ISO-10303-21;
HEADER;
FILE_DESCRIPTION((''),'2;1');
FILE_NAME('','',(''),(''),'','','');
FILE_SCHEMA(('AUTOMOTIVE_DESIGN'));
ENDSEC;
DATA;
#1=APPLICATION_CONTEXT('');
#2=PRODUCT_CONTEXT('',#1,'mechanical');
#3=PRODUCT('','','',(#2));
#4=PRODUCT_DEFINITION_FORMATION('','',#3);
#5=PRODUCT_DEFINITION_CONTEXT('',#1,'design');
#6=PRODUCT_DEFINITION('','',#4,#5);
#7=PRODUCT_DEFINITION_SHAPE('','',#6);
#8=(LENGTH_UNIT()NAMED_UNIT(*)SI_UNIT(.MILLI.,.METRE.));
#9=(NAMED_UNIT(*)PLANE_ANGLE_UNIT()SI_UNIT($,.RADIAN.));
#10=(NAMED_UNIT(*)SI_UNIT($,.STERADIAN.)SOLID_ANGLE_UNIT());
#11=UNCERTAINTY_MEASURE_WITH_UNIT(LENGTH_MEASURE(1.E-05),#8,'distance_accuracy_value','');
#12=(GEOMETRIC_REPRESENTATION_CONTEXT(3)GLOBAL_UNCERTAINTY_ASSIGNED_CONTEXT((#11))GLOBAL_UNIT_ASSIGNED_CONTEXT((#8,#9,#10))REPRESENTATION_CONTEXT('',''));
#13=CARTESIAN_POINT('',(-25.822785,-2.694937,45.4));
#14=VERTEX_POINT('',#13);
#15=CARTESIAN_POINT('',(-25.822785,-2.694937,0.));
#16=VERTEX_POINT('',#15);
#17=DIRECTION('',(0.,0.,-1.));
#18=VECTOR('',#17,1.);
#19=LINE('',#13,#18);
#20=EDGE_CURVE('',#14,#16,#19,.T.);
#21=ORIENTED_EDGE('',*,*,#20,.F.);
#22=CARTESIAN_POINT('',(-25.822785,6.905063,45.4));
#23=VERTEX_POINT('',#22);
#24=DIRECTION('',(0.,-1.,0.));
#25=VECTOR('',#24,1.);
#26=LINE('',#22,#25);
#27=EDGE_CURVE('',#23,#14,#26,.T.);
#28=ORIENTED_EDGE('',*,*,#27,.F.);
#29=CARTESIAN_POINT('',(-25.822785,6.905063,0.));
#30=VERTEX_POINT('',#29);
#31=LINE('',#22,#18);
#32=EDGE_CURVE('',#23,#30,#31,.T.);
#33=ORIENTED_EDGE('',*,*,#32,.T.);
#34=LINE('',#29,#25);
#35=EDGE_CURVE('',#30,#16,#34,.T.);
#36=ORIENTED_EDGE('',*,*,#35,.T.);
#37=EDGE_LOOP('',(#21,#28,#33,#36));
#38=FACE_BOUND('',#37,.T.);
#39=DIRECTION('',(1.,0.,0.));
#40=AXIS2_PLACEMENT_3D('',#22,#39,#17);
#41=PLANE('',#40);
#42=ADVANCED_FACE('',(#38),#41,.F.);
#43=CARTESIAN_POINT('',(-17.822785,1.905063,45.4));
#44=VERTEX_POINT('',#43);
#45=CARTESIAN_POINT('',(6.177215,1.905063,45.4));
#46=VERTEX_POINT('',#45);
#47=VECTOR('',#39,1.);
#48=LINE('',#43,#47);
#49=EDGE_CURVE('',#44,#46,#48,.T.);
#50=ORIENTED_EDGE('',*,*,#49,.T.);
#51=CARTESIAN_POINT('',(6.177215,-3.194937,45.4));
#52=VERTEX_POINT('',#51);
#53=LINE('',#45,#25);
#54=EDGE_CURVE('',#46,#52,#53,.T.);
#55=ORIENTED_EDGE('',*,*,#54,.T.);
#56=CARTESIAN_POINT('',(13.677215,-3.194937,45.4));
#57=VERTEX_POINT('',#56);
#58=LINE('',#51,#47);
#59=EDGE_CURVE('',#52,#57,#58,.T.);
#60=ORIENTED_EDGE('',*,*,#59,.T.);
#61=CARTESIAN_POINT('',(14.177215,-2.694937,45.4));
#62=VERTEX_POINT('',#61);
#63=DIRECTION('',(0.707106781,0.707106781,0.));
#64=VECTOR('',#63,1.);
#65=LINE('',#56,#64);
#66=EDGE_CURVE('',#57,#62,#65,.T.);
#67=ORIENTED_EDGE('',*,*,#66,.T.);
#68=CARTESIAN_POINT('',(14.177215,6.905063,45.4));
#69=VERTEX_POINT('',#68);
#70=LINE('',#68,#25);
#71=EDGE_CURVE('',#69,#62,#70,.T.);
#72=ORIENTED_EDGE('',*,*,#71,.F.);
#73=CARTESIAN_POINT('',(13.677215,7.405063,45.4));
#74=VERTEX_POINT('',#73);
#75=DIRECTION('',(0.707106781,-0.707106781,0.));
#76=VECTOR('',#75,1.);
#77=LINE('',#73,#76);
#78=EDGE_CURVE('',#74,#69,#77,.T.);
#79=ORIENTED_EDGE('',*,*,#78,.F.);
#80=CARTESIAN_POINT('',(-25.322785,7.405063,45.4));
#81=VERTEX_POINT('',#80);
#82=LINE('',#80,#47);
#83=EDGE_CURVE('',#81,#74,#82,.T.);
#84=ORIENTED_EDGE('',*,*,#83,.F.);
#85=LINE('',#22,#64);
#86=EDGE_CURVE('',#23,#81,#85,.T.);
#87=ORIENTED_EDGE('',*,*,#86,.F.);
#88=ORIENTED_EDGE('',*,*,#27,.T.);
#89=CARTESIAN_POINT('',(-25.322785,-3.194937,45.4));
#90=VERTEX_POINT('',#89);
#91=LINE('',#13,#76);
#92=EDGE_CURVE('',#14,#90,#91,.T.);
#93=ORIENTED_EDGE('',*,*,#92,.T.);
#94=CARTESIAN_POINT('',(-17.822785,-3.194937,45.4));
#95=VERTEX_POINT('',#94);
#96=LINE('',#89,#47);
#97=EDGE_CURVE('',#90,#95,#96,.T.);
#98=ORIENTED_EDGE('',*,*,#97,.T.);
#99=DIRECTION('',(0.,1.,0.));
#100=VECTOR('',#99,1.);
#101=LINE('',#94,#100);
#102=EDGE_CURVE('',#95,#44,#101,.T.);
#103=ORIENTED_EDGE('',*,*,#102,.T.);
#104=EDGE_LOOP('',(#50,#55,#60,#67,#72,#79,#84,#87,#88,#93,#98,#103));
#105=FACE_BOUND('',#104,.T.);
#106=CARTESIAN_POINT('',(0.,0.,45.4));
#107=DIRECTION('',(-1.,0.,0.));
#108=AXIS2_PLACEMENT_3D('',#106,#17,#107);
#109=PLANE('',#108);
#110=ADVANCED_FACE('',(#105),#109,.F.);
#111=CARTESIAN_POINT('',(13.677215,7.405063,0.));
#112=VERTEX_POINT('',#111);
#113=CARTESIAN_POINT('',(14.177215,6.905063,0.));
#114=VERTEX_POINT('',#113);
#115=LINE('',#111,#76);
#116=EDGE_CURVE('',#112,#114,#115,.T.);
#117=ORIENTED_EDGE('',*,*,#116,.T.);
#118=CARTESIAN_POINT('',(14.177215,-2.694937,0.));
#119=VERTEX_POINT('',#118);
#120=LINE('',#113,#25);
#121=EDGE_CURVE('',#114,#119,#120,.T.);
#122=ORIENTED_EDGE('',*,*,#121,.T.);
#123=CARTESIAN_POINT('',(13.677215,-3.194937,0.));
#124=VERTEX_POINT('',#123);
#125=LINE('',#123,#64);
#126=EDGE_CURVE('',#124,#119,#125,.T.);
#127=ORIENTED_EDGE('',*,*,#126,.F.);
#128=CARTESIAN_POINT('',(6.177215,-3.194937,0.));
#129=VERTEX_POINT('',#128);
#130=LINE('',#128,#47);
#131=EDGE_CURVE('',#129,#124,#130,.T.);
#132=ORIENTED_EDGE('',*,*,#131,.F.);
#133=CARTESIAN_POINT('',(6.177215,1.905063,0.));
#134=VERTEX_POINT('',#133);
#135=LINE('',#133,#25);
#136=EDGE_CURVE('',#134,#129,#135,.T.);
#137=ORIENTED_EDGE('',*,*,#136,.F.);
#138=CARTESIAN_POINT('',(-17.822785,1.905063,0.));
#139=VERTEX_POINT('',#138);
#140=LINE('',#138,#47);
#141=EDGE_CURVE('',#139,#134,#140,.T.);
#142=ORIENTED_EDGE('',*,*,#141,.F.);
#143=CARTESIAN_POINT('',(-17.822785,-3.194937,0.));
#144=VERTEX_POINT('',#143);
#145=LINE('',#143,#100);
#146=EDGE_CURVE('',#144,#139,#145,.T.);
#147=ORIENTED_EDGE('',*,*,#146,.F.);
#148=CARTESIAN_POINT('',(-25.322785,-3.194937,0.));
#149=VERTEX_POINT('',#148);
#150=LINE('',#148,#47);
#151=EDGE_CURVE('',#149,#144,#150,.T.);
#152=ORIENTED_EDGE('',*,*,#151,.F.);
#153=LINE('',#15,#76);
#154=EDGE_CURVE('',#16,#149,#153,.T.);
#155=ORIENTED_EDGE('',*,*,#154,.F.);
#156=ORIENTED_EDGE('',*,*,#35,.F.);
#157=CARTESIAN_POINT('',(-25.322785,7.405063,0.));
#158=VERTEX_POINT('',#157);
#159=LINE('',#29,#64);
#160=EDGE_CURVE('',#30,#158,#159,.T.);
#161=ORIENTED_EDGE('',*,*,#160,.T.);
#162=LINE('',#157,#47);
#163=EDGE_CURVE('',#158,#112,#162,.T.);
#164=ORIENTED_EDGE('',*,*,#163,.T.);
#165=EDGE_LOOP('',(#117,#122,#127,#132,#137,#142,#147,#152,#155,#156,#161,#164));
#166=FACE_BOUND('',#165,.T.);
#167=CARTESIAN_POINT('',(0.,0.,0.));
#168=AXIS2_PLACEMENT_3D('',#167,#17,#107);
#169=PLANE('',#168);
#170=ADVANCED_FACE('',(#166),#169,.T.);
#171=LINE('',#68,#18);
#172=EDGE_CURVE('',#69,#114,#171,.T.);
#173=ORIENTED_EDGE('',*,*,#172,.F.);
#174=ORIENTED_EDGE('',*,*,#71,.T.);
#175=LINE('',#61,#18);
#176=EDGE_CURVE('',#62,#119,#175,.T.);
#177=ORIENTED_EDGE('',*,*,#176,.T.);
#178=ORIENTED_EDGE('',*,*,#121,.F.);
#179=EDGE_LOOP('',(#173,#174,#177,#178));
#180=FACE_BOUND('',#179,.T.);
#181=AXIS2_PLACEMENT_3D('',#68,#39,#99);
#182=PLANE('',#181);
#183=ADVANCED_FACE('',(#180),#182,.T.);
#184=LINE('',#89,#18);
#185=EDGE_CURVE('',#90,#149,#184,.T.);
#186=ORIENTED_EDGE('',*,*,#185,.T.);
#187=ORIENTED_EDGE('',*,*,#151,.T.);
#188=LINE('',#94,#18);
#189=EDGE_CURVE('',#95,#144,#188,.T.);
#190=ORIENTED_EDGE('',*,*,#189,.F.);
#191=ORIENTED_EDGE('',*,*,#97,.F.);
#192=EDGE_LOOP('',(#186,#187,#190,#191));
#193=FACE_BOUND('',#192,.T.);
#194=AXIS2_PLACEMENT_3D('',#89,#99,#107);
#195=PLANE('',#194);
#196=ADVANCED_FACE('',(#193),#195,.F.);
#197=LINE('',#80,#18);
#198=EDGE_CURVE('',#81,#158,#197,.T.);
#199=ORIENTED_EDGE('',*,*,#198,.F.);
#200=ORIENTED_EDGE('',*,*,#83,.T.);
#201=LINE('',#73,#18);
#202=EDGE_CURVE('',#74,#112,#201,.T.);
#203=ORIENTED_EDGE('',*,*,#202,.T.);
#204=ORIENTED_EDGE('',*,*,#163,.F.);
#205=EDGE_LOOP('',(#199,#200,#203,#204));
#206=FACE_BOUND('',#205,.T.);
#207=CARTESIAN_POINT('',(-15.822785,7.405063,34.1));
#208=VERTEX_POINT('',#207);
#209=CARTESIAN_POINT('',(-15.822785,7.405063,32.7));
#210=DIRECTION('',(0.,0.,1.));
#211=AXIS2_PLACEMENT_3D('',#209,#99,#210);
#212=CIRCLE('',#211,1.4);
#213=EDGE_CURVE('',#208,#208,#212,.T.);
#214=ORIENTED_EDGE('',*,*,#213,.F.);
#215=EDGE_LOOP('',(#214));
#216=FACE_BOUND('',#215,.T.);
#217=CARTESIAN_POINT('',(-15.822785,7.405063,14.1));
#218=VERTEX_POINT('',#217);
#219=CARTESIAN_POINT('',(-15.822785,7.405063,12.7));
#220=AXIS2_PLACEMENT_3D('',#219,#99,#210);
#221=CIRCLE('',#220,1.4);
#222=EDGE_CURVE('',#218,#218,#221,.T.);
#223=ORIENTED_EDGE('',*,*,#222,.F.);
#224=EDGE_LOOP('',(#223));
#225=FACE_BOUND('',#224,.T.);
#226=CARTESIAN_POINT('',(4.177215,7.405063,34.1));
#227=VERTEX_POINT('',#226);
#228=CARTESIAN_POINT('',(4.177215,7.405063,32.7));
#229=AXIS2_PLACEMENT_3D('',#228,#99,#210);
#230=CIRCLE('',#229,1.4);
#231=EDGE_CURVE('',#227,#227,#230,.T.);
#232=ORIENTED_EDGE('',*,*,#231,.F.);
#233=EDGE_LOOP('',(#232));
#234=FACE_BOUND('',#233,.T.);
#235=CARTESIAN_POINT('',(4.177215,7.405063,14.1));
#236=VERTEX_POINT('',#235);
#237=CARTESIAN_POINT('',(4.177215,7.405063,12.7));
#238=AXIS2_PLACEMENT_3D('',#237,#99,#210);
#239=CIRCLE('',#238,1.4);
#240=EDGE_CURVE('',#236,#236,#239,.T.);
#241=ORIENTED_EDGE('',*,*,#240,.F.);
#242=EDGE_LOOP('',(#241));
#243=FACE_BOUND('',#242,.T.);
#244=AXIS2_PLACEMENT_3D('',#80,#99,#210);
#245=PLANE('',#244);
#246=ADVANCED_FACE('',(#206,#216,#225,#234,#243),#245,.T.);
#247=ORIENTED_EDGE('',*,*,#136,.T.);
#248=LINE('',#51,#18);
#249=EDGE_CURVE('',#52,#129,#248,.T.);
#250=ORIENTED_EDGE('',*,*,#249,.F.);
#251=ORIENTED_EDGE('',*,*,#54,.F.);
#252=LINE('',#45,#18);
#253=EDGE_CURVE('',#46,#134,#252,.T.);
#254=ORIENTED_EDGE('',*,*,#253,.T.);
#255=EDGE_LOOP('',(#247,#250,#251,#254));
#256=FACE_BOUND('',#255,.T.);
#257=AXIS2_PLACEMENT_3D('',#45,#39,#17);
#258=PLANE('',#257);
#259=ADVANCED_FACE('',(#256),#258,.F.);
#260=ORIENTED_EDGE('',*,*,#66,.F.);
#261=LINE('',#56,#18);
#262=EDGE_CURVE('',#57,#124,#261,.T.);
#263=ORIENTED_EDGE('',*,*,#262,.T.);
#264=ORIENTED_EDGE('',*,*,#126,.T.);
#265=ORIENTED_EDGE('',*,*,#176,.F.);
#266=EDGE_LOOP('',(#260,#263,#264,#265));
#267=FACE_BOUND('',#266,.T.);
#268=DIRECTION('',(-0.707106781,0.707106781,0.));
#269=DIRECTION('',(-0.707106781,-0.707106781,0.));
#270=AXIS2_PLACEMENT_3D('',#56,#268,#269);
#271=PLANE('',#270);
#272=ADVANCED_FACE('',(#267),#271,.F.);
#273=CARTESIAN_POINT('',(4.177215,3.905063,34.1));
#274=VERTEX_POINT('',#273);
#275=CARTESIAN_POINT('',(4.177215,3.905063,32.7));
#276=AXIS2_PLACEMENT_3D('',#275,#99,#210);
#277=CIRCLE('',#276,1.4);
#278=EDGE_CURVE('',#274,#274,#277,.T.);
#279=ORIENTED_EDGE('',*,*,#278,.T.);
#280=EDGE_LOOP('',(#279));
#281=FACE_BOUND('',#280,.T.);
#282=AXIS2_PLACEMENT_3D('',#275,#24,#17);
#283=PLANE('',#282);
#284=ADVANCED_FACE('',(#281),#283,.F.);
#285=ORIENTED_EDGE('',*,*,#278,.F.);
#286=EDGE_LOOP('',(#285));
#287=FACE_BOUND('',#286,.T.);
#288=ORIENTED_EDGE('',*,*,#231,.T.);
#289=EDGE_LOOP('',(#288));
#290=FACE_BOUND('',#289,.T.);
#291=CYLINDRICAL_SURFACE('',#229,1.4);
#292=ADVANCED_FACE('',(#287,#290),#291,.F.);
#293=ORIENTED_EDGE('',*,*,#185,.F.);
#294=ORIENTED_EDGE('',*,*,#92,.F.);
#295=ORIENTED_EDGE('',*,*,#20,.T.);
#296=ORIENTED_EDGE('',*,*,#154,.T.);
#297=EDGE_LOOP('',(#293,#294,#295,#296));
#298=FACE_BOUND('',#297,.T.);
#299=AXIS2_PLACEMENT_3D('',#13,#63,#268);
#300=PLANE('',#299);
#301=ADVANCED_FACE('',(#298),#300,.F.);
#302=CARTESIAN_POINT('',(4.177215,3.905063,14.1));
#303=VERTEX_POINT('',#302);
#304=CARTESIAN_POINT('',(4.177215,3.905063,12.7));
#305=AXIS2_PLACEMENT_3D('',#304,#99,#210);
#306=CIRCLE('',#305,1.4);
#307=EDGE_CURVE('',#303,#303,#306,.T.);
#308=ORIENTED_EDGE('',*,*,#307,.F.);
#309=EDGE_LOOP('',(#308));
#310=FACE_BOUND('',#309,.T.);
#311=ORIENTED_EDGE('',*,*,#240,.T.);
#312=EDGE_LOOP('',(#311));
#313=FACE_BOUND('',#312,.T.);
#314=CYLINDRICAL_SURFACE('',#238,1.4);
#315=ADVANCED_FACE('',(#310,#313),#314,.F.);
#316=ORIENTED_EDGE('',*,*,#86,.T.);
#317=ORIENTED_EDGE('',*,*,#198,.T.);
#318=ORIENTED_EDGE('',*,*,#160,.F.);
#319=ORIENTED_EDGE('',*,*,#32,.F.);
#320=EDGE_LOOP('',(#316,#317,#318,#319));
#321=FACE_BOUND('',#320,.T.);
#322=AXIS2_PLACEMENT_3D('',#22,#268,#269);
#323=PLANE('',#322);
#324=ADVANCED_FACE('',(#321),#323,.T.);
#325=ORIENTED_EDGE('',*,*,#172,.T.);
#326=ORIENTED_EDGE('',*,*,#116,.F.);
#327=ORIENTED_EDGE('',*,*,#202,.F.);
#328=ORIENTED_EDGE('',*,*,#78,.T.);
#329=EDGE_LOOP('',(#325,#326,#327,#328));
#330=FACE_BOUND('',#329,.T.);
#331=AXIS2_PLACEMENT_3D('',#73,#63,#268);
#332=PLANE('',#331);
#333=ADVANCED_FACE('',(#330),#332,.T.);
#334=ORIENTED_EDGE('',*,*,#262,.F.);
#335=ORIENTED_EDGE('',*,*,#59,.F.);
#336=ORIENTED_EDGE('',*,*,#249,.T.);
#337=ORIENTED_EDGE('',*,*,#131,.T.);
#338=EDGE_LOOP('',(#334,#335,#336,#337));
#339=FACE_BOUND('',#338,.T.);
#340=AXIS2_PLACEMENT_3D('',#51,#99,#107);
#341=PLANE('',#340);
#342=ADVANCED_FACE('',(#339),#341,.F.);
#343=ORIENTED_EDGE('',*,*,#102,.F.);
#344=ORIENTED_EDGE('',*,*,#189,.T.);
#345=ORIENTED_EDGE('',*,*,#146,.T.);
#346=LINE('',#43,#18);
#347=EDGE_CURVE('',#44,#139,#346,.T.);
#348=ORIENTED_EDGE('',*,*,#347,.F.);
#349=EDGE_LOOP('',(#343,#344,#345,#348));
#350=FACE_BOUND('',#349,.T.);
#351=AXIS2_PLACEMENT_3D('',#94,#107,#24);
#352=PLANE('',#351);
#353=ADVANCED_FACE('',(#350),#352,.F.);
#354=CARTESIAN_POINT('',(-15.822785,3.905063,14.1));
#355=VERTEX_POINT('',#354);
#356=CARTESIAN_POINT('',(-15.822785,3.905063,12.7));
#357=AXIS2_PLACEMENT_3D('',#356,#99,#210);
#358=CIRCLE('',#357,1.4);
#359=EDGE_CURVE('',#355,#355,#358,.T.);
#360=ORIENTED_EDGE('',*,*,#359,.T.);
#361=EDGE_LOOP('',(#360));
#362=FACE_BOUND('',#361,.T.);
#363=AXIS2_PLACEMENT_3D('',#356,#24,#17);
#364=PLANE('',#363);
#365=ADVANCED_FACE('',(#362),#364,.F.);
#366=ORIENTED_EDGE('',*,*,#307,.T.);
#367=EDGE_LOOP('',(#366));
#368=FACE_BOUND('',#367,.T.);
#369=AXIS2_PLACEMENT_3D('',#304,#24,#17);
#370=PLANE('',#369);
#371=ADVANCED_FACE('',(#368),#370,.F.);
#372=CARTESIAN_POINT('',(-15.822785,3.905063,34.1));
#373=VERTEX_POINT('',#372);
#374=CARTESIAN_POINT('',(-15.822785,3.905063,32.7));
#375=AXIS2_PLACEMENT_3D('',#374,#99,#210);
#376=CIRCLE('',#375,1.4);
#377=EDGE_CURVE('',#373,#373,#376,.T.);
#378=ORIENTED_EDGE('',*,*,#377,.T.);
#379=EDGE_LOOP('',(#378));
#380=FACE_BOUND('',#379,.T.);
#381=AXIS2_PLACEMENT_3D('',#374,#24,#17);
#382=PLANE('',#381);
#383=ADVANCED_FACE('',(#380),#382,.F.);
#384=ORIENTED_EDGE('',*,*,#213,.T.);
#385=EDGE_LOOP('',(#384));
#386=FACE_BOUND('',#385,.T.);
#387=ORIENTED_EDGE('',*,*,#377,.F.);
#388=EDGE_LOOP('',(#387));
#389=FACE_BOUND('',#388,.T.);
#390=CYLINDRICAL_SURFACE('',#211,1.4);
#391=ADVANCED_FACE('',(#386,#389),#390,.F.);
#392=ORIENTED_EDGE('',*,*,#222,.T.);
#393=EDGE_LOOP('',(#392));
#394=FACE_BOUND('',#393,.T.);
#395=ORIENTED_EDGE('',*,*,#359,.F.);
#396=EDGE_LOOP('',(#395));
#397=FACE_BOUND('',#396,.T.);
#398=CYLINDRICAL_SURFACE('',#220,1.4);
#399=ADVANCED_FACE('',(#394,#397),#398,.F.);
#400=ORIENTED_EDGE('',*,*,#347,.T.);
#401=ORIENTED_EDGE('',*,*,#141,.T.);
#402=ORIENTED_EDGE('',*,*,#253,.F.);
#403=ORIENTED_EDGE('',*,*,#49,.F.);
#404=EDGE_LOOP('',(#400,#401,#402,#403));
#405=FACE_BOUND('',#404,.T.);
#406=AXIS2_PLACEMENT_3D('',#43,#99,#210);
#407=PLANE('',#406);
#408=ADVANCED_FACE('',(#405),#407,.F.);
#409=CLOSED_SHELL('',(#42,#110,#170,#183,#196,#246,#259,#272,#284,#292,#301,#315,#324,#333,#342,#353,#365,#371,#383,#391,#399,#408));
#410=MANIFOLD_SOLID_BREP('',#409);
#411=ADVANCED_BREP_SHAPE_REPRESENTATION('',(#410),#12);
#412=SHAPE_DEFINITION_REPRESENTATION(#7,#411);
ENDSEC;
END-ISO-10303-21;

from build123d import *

# Parameters (mm, degrees)
EXTRUDE_1_DEPTH     = 45.4
HOLE_WIZARD_1_D     = 2.8
HOLE_WIZARD_1_DEPTH = 3.5


with BuildPart() as part:
    # 草图1 → 凸台-拉伸1 (new body)
    with BuildSketch(Plane.XY):
        Polygon((-25.32278481, 7.405063291), (13.67721519, 7.405063291), (14.17721519, 6.905063291), (14.17721519, -2.694936709), (13.67721519, -3.194936709), (6.17721519, -3.194936709), (6.17721519, 1.905063291), (-17.82278481, 1.905063291), (-17.82278481, -3.194936709), (-25.32278481, -3.194936709), (-25.82278481, -2.694936709), (-25.82278481, 6.905063291), align=None)
    extrude(amount=EXTRUDE_1_DEPTH)

    # 孔1
    with Locations(Plane(origin=(4.17721519, 7.405063291, 12.7), x_dir=(0, 0, 1), z_dir=(0, 1, 0))):
        with Locations((0, 0), (20, 0), (0, -20), (20, -20)):
            Hole(HOLE_WIZARD_1_D / 2, depth=HOLE_WIZARD_1_DEPTH)


solid = part.part
